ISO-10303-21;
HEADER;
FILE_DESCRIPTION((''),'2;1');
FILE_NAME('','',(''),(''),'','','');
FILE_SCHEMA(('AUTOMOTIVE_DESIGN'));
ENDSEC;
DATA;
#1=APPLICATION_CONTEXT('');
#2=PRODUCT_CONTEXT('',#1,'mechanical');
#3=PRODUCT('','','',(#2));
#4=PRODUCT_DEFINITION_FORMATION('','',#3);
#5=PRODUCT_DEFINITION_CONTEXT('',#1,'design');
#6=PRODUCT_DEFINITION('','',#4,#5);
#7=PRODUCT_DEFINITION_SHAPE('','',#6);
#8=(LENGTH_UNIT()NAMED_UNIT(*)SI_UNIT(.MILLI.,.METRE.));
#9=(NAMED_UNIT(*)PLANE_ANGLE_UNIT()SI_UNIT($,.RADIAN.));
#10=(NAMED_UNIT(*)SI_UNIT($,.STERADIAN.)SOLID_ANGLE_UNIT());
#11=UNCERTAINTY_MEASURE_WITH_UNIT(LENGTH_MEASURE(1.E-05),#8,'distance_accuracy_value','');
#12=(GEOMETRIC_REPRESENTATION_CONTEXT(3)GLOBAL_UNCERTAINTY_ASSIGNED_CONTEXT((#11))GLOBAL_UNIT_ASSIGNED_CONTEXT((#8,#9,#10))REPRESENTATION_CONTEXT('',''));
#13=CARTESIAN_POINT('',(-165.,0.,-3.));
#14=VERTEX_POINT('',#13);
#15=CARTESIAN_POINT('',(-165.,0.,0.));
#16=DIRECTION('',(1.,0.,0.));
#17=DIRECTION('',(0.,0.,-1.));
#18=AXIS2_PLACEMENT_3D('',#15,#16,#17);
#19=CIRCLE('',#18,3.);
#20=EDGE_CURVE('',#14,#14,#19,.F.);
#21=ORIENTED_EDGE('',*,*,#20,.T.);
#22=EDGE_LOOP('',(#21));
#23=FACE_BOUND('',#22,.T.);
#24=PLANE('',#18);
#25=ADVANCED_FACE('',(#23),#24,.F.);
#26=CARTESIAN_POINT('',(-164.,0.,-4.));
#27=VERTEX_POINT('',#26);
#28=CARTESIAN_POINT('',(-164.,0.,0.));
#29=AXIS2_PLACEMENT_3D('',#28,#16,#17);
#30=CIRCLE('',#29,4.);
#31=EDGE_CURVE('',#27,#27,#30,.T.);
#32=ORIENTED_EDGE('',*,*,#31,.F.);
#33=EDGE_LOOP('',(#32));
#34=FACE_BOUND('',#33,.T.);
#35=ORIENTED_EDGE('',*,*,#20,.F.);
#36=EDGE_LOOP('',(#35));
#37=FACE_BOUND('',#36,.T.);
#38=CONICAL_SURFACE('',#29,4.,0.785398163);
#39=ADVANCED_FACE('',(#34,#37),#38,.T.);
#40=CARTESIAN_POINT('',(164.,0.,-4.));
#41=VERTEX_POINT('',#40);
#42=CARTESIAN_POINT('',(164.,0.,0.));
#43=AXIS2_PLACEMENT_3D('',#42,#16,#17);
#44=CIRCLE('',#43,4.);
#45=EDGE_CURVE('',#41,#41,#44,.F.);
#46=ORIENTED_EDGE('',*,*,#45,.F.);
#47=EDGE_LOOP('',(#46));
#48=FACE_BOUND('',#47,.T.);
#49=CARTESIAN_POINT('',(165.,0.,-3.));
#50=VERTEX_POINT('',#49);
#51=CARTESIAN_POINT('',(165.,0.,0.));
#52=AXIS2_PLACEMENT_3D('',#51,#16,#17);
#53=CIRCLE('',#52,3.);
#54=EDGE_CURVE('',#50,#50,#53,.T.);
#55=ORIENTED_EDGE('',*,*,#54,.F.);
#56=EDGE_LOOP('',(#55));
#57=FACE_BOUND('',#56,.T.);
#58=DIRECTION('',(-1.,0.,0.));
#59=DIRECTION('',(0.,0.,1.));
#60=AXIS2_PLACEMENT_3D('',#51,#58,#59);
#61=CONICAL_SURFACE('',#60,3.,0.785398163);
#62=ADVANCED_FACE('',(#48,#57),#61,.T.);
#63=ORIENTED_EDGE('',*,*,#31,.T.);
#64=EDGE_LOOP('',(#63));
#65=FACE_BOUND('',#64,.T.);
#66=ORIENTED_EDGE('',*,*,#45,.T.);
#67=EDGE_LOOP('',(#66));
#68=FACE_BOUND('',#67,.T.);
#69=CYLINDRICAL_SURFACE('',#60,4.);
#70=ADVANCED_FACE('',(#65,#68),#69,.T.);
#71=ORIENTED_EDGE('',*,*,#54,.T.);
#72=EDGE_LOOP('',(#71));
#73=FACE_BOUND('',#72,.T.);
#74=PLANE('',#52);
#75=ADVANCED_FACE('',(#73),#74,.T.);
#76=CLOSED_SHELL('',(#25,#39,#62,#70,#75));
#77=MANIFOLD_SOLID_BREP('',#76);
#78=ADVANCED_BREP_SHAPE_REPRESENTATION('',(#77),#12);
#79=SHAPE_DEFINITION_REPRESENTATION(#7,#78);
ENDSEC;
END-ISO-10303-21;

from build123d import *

# Parameters (mm, degrees)
CROQUIS1_R              = 4
SALIENTE_EXTRUIR1_DEPTH = 165
CHAFL_N1_SIZE           = 1


with BuildPart() as part:
    # Croquis1 → Saliente-Extruir1 (new body, symmetric)
    with BuildSketch(Plane(origin=(0, 0, 0), x_dir=(0, 0, -1), z_dir=(1, 0, 0))):
        Circle(CROQUIS1_R)
    extrude(amount=SALIENTE_EXTRUIR1_DEPTH, both=True)

    # Chaflán1
    chafl_n1_edges = [part.edges().sort_by_distance(p)[0] for p in [
        (-165, 0, 4),
        (165, 0, 4),
    ]]
    chamfer(chafl_n1_edges, length=CHAFL_N1_SIZE)


solid = part.part
